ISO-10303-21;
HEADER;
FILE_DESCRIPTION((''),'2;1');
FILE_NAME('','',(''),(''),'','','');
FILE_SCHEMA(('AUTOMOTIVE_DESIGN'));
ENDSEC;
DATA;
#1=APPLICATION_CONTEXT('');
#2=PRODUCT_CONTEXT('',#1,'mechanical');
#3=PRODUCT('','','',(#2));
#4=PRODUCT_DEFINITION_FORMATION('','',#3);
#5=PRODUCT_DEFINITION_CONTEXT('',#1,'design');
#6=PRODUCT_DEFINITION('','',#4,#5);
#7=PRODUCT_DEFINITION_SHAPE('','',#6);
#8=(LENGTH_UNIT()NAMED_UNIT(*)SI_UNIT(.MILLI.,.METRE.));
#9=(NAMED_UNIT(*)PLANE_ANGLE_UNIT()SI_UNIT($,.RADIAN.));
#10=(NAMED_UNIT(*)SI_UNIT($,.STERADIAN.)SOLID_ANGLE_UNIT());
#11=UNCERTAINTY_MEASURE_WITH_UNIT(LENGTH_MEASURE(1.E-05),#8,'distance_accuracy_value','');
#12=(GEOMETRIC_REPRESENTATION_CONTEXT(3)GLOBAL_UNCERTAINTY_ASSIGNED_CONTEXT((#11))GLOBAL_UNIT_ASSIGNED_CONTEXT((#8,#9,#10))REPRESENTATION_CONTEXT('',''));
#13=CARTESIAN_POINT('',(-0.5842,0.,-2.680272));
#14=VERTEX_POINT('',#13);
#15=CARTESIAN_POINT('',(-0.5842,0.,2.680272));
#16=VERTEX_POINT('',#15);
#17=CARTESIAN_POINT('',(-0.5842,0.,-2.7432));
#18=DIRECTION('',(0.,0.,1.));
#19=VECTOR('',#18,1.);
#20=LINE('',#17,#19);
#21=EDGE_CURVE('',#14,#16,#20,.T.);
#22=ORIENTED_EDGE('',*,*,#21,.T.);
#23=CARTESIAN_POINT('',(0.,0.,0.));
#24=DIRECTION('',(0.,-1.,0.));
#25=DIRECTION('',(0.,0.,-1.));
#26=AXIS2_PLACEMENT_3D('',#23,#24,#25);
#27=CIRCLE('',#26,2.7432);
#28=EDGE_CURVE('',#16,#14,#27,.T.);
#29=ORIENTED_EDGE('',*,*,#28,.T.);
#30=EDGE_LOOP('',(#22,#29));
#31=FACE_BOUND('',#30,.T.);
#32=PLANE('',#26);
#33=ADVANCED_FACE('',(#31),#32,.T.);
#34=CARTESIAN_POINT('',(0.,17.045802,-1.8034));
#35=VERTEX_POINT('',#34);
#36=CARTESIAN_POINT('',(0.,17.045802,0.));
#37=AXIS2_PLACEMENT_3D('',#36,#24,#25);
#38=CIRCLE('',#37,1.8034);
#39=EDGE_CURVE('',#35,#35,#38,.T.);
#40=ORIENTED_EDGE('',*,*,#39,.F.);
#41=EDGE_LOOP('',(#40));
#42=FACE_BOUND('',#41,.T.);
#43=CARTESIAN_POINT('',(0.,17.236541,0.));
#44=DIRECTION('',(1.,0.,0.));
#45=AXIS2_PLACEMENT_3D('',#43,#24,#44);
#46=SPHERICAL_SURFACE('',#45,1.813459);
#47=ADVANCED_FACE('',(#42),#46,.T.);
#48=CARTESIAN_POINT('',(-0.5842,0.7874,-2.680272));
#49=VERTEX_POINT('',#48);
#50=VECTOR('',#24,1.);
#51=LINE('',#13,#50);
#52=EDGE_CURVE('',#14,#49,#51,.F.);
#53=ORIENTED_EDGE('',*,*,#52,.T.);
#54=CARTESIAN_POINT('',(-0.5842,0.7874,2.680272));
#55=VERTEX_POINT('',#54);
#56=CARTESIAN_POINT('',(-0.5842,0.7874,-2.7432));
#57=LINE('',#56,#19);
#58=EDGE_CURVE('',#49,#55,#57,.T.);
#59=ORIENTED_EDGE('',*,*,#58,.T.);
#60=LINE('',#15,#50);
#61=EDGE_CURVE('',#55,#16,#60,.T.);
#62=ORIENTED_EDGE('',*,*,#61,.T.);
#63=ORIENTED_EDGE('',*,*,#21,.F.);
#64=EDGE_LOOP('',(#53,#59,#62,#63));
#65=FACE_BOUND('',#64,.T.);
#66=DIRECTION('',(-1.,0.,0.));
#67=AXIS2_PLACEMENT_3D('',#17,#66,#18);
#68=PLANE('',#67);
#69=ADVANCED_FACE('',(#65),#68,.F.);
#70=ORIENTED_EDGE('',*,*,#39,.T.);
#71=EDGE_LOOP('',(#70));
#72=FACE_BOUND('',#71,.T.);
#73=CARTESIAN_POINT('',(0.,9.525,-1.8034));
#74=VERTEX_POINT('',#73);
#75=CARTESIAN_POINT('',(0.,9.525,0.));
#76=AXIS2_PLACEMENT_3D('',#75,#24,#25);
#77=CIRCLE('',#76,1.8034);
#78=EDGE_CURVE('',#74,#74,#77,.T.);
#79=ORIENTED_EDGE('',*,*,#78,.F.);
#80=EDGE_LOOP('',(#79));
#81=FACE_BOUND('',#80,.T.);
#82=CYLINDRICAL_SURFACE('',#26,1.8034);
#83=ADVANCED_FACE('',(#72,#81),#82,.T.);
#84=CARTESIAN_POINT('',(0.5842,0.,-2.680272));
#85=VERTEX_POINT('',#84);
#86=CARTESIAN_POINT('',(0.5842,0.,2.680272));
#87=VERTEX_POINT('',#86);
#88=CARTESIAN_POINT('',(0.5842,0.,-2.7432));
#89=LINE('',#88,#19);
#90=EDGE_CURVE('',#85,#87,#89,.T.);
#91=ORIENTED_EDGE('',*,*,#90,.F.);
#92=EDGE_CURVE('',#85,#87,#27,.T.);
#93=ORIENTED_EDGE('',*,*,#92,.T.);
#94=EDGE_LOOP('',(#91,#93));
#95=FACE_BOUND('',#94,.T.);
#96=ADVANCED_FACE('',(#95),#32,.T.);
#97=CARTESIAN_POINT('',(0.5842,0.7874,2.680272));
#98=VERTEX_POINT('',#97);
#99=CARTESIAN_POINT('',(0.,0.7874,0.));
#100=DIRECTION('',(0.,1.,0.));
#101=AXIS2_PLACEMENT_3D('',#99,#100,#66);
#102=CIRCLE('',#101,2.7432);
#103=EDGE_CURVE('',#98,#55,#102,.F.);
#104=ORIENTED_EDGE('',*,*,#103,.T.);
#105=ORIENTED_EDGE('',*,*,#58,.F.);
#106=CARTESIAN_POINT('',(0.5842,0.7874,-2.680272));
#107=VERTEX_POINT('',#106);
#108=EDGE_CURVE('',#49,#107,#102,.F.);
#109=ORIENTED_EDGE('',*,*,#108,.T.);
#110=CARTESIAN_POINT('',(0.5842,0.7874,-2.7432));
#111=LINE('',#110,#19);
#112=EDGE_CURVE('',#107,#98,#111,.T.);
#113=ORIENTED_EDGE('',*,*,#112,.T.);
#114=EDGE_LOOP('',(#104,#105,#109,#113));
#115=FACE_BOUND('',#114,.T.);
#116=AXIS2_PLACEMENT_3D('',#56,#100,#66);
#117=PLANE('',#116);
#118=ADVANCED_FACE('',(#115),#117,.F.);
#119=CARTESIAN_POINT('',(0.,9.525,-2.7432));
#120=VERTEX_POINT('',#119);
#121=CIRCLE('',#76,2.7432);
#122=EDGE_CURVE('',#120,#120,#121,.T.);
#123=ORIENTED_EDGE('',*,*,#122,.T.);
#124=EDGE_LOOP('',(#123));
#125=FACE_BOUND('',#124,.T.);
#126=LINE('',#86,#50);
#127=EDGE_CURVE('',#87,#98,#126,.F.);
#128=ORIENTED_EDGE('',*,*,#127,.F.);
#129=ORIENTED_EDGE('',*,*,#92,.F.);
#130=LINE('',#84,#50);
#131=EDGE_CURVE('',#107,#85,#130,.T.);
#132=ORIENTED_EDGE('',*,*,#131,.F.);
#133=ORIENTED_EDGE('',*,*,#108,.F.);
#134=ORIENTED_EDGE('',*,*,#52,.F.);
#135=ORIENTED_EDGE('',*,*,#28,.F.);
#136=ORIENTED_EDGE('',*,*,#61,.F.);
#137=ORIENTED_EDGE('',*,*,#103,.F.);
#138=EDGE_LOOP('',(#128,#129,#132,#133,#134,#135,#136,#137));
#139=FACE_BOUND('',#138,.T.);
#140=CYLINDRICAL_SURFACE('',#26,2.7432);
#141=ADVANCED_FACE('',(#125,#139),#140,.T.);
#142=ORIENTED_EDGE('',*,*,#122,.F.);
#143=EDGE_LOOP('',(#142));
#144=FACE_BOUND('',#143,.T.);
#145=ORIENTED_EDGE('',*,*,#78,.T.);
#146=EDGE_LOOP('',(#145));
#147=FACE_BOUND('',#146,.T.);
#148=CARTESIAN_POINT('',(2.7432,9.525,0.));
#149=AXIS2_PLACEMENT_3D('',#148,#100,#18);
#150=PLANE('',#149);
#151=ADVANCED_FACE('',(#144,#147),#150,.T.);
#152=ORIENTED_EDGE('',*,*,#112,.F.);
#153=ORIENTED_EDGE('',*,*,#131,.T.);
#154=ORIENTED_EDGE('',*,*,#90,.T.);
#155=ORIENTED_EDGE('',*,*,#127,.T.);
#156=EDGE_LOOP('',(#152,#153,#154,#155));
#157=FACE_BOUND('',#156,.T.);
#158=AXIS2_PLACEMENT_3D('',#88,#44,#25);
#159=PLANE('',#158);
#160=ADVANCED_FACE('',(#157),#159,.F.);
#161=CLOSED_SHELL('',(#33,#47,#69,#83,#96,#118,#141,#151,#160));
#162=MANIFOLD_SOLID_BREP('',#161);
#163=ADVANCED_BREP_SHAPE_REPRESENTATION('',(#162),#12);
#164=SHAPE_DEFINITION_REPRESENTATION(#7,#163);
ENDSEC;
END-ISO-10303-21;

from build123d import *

# Parameters (mm, degrees)
SKETCH2_W               = 1.1684
SKETCH2_H               = 0.7874
CUT_EXTRUDE1_DEPTH      = 3.7432
CUT_EXTRUDE1_DEPTH_BACK = 3.7432


with BuildPart() as part:
    # Sketch1 → Revolve1 (revolve)
    with BuildSketch(Plane.XY):
        with BuildLine():
            Line((0, 0), (0, 19.05))
            ThreePointArc((0, 19.05), (1.348059913, 18.449540529), (1.8034, 17.045801767))
            Line((1.8034, 17.045801767), (1.8034, 9.525))
            Line((1.8034, 9.525), (2.7432, 9.525))
            Line((2.7432, 9.525), (2.7432, 0))
            Line((2.7432, 0), (0, 0))
        make_face()
    revolve(axis=Axis((0, 0, 0), (0, 1, 0)))

    # Sketch2 → Cut-Extrude1 (cut, two sides)
    with BuildSketch(Plane.XY) as cut_extrude1_sk:
        with Locations((0, 0.3937)):
            Rectangle(SKETCH2_W, SKETCH2_H)
    extrude(amount=CUT_EXTRUDE1_DEPTH, mode=Mode.SUBTRACT)
    extrude(cut_extrude1_sk.sketch, amount=-CUT_EXTRUDE1_DEPTH_BACK, mode=Mode.SUBTRACT)


solid = part.part
